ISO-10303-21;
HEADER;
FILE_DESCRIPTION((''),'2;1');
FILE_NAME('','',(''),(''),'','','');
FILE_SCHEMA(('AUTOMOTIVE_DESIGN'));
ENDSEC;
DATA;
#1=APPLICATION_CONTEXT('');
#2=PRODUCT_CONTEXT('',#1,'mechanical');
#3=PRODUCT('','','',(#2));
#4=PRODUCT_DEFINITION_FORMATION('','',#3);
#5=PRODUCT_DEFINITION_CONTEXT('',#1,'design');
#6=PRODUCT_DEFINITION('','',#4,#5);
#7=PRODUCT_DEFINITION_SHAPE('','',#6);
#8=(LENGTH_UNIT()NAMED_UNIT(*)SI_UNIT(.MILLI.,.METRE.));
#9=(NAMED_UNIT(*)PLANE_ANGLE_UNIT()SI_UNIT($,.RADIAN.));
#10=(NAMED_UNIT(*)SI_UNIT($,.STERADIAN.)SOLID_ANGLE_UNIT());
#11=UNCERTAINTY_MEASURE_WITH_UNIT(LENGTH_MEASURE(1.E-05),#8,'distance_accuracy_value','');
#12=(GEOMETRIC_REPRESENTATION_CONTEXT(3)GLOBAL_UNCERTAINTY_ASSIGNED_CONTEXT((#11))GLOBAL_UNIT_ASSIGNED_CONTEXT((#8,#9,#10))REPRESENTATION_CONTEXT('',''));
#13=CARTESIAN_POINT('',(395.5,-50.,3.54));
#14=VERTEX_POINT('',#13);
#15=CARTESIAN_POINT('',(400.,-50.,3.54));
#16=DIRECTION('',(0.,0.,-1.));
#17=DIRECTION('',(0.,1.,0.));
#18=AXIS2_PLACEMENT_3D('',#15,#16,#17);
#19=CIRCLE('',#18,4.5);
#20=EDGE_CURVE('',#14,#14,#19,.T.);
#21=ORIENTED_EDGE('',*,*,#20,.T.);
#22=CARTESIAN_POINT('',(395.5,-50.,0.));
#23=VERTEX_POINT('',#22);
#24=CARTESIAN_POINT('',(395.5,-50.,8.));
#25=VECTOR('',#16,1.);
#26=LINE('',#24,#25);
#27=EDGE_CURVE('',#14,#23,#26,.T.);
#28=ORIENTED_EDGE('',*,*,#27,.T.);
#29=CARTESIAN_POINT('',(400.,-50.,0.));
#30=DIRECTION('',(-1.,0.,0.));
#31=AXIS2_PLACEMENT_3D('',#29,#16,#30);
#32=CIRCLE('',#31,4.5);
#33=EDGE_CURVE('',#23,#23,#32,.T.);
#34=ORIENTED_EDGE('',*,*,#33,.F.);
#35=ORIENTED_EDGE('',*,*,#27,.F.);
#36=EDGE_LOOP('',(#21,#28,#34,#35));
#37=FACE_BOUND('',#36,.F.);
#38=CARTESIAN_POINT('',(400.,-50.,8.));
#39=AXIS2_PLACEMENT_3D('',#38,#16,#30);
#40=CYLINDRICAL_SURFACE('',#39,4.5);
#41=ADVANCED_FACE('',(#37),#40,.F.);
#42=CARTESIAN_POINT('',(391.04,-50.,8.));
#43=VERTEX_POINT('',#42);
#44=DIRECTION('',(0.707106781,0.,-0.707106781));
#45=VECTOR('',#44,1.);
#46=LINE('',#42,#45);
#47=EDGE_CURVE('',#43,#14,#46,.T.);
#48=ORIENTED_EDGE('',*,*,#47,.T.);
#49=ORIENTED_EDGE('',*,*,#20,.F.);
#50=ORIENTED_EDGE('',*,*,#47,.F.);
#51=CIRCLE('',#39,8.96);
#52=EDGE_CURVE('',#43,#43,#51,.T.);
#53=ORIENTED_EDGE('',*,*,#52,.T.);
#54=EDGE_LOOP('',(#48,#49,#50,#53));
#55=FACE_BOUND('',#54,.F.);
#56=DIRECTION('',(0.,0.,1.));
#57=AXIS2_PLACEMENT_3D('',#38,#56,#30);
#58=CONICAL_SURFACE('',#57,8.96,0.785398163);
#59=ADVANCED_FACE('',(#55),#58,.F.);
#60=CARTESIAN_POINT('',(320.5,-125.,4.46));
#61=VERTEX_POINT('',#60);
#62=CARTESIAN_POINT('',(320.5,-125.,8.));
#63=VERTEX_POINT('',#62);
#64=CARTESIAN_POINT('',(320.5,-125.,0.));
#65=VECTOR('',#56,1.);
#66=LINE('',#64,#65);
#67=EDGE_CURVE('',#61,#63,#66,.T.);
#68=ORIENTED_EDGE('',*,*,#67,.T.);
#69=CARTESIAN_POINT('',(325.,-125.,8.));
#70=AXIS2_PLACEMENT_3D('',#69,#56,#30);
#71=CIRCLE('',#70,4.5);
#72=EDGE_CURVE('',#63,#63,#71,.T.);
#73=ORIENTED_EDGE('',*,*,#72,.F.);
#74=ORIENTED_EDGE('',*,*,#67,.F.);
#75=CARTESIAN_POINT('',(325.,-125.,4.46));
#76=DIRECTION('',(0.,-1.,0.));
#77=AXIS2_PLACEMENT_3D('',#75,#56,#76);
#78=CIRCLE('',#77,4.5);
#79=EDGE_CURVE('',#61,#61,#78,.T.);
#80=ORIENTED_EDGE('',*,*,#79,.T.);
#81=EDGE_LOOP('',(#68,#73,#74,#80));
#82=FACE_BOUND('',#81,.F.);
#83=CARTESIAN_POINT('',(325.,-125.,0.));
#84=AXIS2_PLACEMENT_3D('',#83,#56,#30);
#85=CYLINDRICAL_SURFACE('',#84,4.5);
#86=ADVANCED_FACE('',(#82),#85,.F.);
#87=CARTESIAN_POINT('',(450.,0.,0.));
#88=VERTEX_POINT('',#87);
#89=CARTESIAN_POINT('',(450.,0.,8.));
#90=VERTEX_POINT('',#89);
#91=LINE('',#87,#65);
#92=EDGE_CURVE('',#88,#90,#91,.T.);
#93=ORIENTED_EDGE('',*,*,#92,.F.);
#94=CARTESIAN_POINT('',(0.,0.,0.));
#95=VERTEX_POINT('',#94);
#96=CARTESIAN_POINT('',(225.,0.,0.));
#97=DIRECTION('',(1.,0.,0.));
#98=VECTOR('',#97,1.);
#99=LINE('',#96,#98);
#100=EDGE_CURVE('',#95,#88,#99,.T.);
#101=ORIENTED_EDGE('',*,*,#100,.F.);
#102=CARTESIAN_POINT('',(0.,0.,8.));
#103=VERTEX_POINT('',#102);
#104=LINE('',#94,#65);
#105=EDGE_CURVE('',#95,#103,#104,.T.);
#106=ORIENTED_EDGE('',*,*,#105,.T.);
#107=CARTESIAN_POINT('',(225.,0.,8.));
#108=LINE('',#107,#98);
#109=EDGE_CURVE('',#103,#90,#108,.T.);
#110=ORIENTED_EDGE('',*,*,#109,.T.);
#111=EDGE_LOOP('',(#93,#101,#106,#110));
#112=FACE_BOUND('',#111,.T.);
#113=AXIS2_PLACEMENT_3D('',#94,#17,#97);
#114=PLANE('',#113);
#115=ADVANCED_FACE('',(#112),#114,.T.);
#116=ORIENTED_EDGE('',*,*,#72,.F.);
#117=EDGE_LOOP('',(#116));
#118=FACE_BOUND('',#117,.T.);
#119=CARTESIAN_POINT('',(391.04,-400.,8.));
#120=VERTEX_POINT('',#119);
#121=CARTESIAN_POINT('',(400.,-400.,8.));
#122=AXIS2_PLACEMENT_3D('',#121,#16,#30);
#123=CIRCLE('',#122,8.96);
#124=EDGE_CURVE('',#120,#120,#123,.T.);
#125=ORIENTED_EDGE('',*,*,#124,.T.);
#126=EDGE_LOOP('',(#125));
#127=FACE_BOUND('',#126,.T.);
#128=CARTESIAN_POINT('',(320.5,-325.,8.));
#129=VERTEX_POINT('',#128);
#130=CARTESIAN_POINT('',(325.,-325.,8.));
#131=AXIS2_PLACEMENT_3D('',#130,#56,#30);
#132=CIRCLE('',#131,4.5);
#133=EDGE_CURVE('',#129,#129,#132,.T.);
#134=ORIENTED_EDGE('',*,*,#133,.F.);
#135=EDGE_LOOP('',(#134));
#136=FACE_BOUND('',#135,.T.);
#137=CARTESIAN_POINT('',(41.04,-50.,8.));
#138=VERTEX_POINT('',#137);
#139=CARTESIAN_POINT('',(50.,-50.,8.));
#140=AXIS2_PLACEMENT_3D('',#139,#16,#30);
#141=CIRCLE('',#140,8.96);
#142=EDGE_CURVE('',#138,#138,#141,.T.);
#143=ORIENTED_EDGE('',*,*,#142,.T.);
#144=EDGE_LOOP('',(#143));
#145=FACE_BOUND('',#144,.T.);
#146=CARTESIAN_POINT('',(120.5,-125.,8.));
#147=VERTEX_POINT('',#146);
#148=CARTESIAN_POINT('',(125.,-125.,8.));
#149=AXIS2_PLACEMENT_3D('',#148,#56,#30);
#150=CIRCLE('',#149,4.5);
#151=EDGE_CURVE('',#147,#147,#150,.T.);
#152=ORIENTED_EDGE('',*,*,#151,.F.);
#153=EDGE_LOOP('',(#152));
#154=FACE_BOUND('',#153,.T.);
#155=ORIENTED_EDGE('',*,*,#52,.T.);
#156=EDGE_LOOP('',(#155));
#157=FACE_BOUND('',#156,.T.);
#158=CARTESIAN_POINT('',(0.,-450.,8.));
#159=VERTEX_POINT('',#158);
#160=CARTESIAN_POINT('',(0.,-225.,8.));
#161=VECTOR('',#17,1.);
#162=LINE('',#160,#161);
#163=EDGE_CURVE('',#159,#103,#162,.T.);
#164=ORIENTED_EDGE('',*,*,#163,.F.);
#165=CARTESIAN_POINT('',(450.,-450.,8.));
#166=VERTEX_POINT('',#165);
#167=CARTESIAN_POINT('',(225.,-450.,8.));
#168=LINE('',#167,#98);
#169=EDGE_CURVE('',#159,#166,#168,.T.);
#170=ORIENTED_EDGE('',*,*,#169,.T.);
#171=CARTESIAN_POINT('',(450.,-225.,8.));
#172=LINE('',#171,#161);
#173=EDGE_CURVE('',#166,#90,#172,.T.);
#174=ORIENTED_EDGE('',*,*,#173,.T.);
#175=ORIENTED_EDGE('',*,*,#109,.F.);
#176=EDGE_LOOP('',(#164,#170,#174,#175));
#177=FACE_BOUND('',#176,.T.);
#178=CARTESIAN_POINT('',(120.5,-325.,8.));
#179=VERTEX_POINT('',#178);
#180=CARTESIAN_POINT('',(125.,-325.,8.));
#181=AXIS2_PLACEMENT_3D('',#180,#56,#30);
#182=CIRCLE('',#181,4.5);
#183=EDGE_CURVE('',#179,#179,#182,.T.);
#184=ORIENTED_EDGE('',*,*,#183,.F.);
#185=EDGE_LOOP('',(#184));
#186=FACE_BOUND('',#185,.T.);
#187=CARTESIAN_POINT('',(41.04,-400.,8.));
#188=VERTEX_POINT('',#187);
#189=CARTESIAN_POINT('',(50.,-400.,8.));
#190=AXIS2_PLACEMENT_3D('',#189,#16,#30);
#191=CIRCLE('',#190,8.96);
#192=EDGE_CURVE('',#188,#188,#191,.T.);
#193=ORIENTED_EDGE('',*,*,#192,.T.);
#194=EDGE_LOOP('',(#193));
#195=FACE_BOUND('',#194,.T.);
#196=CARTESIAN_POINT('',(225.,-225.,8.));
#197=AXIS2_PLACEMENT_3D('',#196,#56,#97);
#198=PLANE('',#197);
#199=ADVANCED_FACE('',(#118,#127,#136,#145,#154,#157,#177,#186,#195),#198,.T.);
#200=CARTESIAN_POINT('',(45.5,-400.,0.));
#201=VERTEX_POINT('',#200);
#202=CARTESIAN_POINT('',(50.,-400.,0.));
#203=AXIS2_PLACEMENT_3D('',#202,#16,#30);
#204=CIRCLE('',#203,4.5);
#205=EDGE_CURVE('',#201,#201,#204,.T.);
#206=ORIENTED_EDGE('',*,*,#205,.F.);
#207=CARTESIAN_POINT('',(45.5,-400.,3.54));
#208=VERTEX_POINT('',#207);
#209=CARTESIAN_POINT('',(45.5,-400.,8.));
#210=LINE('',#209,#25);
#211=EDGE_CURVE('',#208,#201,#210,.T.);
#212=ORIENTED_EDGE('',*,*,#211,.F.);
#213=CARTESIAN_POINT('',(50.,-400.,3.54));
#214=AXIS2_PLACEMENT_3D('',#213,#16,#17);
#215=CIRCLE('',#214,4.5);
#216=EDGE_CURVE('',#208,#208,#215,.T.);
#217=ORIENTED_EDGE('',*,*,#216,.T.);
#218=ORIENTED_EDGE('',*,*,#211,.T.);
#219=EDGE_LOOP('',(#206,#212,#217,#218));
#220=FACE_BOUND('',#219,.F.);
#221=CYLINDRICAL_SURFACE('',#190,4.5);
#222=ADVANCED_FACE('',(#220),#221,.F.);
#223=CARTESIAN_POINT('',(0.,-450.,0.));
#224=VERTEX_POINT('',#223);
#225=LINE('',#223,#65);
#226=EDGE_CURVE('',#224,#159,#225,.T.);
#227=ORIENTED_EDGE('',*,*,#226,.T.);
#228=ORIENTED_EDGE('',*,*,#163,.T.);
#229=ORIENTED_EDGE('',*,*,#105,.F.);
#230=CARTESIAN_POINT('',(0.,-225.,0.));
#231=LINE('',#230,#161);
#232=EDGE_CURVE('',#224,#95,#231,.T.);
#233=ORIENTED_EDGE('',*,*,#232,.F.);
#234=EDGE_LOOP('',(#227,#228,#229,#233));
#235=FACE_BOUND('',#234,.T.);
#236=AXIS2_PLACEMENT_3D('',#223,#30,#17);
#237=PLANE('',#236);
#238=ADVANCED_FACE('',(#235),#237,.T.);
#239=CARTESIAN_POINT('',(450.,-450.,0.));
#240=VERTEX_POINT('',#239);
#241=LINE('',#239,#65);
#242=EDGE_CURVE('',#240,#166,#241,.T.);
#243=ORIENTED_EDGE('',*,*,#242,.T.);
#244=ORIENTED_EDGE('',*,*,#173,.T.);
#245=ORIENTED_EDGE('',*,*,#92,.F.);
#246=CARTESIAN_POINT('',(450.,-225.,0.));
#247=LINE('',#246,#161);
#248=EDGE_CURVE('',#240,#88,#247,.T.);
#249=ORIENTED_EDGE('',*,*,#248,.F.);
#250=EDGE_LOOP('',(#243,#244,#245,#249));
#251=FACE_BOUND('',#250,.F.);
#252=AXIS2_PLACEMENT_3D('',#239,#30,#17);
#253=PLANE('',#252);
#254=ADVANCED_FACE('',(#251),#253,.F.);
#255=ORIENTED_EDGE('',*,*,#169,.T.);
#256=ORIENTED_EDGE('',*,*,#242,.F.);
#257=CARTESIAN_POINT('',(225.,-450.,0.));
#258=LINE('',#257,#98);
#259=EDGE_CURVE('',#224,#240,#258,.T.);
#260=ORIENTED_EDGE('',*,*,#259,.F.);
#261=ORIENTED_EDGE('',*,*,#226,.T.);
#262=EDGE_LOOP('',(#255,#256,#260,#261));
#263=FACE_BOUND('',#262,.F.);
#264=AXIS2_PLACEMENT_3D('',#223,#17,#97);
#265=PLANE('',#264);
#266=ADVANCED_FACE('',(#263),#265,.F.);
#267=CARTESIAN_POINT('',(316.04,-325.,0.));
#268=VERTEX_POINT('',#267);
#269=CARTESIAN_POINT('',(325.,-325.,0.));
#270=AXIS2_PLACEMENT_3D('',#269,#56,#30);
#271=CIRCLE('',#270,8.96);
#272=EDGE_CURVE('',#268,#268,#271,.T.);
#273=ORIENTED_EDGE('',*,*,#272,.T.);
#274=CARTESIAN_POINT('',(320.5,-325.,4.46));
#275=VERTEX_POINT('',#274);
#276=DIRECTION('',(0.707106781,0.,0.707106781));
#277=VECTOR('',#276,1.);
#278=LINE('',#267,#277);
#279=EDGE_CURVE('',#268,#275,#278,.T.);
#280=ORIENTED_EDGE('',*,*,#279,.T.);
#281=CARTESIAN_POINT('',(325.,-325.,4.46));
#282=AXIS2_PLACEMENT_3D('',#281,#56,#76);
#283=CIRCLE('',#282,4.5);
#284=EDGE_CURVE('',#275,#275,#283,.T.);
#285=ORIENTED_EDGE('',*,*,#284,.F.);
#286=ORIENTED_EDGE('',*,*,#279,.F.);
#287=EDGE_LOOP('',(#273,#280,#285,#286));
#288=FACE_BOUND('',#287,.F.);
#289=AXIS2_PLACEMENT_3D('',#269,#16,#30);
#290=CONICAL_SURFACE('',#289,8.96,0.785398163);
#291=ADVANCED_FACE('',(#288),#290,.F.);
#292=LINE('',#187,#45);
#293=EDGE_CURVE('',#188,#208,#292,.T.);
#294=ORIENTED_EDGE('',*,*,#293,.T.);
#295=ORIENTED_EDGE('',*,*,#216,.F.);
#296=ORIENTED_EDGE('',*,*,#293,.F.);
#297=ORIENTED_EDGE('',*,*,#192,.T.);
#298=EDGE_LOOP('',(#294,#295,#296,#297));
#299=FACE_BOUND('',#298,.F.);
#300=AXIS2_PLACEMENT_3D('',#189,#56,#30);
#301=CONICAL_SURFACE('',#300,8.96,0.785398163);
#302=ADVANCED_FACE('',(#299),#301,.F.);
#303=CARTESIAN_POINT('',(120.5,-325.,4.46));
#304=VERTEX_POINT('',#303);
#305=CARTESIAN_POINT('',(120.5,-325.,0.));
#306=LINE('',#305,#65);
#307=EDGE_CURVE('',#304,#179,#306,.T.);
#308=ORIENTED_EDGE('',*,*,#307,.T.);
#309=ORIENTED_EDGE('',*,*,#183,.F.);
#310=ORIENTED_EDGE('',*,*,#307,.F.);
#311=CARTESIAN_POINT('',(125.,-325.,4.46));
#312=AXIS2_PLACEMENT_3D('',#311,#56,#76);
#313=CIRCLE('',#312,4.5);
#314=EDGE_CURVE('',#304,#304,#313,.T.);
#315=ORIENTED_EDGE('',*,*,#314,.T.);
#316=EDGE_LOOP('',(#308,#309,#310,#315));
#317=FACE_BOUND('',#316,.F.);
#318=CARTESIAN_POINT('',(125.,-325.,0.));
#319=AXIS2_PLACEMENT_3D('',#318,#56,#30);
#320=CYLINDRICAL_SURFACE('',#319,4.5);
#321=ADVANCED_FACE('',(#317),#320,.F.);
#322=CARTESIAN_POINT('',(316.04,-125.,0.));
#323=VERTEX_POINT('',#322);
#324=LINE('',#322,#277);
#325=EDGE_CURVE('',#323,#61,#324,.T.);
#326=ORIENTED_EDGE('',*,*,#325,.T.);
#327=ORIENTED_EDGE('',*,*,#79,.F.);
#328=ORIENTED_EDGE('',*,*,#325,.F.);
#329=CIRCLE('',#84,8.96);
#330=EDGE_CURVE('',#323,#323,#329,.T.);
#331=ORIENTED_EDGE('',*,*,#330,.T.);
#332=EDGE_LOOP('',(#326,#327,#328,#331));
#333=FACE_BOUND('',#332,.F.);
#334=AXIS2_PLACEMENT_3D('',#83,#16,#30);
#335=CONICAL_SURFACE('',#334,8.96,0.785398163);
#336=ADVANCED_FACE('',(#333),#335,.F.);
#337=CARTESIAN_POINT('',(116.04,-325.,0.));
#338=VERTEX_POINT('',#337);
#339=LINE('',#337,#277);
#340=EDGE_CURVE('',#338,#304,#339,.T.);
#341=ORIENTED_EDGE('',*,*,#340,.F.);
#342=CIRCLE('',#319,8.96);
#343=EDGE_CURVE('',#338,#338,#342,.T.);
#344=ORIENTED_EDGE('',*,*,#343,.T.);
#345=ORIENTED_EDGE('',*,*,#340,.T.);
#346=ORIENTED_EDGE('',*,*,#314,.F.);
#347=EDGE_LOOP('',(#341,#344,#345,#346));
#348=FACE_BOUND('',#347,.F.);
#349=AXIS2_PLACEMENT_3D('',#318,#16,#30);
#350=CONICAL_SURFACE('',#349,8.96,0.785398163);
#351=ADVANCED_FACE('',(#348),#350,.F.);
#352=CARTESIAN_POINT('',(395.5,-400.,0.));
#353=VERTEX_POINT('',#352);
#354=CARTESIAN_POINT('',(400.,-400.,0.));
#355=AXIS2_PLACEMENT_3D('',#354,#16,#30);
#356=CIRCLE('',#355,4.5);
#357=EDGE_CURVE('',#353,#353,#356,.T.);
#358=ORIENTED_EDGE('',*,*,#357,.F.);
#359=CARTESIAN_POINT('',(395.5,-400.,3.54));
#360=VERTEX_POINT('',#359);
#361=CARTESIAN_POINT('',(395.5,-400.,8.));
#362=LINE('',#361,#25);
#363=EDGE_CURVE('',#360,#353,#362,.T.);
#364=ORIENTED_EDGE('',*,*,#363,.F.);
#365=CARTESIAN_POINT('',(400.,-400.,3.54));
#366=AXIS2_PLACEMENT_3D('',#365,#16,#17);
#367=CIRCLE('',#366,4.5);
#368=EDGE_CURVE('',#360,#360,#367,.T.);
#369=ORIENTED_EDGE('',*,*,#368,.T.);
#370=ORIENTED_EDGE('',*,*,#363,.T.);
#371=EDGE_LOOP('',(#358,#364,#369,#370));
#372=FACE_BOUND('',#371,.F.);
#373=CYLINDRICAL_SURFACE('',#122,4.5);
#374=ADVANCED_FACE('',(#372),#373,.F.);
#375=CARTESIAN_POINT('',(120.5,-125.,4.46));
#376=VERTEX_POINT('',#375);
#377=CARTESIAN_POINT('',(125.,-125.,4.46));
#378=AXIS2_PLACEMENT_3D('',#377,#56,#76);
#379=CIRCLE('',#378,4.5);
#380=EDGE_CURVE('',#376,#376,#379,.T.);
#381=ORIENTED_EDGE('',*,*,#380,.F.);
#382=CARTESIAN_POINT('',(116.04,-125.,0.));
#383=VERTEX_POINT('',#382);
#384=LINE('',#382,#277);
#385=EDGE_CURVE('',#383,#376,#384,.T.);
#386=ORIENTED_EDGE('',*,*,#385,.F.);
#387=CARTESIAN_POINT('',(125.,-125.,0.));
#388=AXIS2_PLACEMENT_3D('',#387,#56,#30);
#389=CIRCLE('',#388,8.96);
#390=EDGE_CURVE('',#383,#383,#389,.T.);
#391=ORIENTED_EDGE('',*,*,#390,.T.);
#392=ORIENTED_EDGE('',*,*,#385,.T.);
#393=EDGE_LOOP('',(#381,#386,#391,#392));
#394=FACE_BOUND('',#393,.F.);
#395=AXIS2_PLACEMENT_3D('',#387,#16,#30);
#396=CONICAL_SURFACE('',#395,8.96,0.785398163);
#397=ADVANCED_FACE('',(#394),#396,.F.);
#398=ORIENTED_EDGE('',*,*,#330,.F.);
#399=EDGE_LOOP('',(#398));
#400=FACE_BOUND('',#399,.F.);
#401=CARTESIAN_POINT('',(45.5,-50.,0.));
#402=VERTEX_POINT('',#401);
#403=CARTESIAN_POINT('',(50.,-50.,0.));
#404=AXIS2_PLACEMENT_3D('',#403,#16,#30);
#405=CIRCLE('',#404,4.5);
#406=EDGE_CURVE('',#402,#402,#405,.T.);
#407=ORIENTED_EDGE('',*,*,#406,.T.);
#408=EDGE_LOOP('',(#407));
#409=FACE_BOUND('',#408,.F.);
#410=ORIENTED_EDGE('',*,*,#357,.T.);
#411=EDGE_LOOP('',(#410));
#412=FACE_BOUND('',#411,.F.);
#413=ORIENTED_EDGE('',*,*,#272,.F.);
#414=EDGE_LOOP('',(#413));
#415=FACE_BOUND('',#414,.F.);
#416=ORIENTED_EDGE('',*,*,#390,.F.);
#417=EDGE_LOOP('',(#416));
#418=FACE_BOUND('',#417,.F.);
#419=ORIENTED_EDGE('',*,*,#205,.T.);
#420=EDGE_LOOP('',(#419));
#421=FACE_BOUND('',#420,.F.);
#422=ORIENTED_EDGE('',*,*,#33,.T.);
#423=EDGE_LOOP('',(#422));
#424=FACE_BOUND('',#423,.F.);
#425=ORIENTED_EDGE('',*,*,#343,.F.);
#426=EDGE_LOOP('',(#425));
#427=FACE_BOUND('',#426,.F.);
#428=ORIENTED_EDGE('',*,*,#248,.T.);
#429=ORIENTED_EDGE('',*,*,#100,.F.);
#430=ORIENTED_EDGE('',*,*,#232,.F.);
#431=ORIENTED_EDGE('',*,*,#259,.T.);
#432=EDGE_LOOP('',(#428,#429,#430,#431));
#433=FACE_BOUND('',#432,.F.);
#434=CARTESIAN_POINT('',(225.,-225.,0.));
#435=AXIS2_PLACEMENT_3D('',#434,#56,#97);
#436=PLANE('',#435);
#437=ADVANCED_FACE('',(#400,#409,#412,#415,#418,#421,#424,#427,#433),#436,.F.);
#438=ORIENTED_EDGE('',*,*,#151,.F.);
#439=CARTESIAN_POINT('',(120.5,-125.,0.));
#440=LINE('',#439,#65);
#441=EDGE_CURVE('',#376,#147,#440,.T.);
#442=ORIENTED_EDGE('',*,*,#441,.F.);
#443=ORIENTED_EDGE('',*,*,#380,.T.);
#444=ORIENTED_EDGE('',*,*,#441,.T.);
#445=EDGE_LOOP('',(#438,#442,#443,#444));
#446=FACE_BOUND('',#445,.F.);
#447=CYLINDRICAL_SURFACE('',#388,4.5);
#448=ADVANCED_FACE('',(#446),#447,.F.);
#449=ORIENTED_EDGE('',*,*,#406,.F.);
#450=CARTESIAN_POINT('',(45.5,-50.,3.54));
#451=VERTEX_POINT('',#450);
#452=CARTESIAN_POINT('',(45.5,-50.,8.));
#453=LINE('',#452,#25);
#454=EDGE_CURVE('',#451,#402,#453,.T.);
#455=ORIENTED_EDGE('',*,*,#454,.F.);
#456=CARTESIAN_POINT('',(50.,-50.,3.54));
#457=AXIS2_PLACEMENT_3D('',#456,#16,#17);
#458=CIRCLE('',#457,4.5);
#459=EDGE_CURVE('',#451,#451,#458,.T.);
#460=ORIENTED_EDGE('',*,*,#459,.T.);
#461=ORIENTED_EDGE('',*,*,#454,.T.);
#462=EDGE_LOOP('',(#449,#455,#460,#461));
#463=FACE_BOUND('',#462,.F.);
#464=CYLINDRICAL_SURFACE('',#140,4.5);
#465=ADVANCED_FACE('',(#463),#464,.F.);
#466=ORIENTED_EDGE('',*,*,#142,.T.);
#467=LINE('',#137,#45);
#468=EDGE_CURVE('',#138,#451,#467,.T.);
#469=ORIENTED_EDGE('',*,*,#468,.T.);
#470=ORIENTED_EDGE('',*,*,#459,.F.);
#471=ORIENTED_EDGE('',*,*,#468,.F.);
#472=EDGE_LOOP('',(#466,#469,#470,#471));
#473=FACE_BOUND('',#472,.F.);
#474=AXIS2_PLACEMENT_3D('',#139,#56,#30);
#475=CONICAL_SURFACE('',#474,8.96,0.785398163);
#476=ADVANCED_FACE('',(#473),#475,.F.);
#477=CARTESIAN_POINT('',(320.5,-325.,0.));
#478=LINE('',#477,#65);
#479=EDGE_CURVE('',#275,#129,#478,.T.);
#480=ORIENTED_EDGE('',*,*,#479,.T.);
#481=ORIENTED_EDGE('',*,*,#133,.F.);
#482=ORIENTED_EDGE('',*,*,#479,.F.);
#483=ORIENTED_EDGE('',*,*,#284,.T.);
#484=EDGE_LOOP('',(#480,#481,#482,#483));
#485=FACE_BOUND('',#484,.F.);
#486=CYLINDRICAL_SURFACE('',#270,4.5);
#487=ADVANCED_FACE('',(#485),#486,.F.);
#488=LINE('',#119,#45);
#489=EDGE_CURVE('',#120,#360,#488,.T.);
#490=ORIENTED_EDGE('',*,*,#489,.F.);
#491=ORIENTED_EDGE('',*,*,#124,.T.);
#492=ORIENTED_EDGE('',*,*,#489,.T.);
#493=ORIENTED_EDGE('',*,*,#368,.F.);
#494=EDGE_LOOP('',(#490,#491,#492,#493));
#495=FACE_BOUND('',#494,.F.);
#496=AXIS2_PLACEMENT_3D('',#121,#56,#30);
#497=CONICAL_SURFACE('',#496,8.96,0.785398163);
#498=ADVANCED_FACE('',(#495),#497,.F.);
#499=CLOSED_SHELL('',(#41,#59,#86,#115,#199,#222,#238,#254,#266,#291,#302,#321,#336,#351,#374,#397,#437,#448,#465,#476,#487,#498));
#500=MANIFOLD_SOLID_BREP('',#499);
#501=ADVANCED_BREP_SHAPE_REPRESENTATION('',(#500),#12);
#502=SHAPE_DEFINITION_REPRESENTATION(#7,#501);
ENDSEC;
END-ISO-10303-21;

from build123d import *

# Parameters (mm, degrees)
F0_W           = 450
F0_H           = 450
F1_DEPTH       = 8
F3_D           = 9
F3_CSINK_D     = 17.92
F3_CSINK_ANGLE = 90
F5_D           = 9
F5_CSINK_D     = 17.92
F5_CSINK_ANGLE = 90


with BuildPart() as f1:
    # F0 (on Top) → F1 (new body)
    with BuildSketch(Plane.XY):
        with Locations((225, -225)):
            Rectangle(F0_W, F0_H)
    extrude(amount=F1_DEPTH)

    # F3 (through all)
    with Locations(Plane.XY.offset(8)):
        with Locations((50, -400), (400, -400), (400, -50), (50, -50)):
            CounterSinkHole(F3_D / 2, F3_CSINK_D / 2, counter_sink_angle=F3_CSINK_ANGLE)

    # F5 (through all)
    with Locations(Plane(origin=(0, 0, 0), x_dir=(1, 0, 0), z_dir=(0, 0, -1))):
        with Locations((125, 325), (325, 125), (325, 325), (125, 125)):
            CounterSinkHole(F5_D / 2, F5_CSINK_D / 2, counter_sink_angle=F5_CSINK_ANGLE)


solid = f1.part
